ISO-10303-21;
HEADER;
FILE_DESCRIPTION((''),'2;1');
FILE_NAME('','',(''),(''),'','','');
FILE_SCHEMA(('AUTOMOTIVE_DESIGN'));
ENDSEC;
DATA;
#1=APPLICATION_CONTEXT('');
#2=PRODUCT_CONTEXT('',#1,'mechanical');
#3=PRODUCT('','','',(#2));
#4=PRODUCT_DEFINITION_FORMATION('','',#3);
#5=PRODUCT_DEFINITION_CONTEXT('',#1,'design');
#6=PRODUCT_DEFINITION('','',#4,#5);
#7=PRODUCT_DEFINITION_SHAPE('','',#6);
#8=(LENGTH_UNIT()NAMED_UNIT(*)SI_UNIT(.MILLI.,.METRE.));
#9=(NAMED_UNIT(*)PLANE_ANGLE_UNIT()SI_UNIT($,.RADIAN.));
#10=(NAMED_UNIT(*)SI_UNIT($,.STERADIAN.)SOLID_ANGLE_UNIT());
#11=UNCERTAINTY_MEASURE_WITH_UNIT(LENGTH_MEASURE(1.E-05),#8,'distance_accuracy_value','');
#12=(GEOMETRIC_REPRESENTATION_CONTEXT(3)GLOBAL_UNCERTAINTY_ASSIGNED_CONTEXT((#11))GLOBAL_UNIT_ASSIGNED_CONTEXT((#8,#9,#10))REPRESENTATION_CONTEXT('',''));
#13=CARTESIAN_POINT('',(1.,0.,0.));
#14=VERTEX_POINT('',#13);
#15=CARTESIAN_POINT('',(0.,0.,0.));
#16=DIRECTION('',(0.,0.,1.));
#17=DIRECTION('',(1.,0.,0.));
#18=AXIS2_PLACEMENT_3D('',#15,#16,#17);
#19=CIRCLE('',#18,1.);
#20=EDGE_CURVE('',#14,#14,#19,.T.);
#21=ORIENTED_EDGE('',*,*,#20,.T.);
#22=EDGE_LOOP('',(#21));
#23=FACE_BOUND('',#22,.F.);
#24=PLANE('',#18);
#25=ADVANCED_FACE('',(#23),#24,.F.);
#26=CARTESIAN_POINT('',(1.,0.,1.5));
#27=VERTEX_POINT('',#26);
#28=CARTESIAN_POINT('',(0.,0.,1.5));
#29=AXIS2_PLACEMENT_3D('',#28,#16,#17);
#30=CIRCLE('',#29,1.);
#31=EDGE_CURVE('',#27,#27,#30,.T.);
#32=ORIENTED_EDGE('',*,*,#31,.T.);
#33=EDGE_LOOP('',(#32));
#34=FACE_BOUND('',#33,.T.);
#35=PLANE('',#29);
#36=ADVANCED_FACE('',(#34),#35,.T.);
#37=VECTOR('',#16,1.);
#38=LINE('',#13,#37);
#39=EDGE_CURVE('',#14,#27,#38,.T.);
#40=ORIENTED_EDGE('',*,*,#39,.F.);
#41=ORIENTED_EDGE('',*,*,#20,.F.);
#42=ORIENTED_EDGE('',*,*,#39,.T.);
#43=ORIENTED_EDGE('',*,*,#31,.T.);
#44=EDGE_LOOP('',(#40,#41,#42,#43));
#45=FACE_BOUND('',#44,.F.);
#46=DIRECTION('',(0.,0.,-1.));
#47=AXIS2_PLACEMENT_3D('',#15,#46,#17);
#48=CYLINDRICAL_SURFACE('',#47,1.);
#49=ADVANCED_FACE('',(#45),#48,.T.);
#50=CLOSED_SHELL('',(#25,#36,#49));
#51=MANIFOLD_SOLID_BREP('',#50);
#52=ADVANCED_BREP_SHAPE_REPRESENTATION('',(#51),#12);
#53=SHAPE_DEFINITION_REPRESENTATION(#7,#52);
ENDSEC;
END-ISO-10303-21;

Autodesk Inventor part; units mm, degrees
ref_plane "YZ Plane" through (0, 0, 0) normal (1, 0, 0) x (0, 1, 0)
ref_plane "XZ Plane" through (0, 0, 0) normal (0, 1, 0) x (-1, 0, 0)
ref_plane "XY Plane" through (0, 0, 0) normal (0, 0, 1) x (1, 0, 0)
sketch "Esboço1" plane through (0, 0, 0) normal (0, 0, 1) x (1, 0, 0)
  point P0 (0, 0)
sketch "Esboço2" plane through (0, 0, 0) normal (0, 0, 1) x (1, 0, 0)
  circle A0 centre (0, 0) radius 1
  dimension "d0" = 2
extrude "Extrusão1" add sketch "Esboço2" along normal blind 1.5
properties part number "Peçaasdasdadadda"
